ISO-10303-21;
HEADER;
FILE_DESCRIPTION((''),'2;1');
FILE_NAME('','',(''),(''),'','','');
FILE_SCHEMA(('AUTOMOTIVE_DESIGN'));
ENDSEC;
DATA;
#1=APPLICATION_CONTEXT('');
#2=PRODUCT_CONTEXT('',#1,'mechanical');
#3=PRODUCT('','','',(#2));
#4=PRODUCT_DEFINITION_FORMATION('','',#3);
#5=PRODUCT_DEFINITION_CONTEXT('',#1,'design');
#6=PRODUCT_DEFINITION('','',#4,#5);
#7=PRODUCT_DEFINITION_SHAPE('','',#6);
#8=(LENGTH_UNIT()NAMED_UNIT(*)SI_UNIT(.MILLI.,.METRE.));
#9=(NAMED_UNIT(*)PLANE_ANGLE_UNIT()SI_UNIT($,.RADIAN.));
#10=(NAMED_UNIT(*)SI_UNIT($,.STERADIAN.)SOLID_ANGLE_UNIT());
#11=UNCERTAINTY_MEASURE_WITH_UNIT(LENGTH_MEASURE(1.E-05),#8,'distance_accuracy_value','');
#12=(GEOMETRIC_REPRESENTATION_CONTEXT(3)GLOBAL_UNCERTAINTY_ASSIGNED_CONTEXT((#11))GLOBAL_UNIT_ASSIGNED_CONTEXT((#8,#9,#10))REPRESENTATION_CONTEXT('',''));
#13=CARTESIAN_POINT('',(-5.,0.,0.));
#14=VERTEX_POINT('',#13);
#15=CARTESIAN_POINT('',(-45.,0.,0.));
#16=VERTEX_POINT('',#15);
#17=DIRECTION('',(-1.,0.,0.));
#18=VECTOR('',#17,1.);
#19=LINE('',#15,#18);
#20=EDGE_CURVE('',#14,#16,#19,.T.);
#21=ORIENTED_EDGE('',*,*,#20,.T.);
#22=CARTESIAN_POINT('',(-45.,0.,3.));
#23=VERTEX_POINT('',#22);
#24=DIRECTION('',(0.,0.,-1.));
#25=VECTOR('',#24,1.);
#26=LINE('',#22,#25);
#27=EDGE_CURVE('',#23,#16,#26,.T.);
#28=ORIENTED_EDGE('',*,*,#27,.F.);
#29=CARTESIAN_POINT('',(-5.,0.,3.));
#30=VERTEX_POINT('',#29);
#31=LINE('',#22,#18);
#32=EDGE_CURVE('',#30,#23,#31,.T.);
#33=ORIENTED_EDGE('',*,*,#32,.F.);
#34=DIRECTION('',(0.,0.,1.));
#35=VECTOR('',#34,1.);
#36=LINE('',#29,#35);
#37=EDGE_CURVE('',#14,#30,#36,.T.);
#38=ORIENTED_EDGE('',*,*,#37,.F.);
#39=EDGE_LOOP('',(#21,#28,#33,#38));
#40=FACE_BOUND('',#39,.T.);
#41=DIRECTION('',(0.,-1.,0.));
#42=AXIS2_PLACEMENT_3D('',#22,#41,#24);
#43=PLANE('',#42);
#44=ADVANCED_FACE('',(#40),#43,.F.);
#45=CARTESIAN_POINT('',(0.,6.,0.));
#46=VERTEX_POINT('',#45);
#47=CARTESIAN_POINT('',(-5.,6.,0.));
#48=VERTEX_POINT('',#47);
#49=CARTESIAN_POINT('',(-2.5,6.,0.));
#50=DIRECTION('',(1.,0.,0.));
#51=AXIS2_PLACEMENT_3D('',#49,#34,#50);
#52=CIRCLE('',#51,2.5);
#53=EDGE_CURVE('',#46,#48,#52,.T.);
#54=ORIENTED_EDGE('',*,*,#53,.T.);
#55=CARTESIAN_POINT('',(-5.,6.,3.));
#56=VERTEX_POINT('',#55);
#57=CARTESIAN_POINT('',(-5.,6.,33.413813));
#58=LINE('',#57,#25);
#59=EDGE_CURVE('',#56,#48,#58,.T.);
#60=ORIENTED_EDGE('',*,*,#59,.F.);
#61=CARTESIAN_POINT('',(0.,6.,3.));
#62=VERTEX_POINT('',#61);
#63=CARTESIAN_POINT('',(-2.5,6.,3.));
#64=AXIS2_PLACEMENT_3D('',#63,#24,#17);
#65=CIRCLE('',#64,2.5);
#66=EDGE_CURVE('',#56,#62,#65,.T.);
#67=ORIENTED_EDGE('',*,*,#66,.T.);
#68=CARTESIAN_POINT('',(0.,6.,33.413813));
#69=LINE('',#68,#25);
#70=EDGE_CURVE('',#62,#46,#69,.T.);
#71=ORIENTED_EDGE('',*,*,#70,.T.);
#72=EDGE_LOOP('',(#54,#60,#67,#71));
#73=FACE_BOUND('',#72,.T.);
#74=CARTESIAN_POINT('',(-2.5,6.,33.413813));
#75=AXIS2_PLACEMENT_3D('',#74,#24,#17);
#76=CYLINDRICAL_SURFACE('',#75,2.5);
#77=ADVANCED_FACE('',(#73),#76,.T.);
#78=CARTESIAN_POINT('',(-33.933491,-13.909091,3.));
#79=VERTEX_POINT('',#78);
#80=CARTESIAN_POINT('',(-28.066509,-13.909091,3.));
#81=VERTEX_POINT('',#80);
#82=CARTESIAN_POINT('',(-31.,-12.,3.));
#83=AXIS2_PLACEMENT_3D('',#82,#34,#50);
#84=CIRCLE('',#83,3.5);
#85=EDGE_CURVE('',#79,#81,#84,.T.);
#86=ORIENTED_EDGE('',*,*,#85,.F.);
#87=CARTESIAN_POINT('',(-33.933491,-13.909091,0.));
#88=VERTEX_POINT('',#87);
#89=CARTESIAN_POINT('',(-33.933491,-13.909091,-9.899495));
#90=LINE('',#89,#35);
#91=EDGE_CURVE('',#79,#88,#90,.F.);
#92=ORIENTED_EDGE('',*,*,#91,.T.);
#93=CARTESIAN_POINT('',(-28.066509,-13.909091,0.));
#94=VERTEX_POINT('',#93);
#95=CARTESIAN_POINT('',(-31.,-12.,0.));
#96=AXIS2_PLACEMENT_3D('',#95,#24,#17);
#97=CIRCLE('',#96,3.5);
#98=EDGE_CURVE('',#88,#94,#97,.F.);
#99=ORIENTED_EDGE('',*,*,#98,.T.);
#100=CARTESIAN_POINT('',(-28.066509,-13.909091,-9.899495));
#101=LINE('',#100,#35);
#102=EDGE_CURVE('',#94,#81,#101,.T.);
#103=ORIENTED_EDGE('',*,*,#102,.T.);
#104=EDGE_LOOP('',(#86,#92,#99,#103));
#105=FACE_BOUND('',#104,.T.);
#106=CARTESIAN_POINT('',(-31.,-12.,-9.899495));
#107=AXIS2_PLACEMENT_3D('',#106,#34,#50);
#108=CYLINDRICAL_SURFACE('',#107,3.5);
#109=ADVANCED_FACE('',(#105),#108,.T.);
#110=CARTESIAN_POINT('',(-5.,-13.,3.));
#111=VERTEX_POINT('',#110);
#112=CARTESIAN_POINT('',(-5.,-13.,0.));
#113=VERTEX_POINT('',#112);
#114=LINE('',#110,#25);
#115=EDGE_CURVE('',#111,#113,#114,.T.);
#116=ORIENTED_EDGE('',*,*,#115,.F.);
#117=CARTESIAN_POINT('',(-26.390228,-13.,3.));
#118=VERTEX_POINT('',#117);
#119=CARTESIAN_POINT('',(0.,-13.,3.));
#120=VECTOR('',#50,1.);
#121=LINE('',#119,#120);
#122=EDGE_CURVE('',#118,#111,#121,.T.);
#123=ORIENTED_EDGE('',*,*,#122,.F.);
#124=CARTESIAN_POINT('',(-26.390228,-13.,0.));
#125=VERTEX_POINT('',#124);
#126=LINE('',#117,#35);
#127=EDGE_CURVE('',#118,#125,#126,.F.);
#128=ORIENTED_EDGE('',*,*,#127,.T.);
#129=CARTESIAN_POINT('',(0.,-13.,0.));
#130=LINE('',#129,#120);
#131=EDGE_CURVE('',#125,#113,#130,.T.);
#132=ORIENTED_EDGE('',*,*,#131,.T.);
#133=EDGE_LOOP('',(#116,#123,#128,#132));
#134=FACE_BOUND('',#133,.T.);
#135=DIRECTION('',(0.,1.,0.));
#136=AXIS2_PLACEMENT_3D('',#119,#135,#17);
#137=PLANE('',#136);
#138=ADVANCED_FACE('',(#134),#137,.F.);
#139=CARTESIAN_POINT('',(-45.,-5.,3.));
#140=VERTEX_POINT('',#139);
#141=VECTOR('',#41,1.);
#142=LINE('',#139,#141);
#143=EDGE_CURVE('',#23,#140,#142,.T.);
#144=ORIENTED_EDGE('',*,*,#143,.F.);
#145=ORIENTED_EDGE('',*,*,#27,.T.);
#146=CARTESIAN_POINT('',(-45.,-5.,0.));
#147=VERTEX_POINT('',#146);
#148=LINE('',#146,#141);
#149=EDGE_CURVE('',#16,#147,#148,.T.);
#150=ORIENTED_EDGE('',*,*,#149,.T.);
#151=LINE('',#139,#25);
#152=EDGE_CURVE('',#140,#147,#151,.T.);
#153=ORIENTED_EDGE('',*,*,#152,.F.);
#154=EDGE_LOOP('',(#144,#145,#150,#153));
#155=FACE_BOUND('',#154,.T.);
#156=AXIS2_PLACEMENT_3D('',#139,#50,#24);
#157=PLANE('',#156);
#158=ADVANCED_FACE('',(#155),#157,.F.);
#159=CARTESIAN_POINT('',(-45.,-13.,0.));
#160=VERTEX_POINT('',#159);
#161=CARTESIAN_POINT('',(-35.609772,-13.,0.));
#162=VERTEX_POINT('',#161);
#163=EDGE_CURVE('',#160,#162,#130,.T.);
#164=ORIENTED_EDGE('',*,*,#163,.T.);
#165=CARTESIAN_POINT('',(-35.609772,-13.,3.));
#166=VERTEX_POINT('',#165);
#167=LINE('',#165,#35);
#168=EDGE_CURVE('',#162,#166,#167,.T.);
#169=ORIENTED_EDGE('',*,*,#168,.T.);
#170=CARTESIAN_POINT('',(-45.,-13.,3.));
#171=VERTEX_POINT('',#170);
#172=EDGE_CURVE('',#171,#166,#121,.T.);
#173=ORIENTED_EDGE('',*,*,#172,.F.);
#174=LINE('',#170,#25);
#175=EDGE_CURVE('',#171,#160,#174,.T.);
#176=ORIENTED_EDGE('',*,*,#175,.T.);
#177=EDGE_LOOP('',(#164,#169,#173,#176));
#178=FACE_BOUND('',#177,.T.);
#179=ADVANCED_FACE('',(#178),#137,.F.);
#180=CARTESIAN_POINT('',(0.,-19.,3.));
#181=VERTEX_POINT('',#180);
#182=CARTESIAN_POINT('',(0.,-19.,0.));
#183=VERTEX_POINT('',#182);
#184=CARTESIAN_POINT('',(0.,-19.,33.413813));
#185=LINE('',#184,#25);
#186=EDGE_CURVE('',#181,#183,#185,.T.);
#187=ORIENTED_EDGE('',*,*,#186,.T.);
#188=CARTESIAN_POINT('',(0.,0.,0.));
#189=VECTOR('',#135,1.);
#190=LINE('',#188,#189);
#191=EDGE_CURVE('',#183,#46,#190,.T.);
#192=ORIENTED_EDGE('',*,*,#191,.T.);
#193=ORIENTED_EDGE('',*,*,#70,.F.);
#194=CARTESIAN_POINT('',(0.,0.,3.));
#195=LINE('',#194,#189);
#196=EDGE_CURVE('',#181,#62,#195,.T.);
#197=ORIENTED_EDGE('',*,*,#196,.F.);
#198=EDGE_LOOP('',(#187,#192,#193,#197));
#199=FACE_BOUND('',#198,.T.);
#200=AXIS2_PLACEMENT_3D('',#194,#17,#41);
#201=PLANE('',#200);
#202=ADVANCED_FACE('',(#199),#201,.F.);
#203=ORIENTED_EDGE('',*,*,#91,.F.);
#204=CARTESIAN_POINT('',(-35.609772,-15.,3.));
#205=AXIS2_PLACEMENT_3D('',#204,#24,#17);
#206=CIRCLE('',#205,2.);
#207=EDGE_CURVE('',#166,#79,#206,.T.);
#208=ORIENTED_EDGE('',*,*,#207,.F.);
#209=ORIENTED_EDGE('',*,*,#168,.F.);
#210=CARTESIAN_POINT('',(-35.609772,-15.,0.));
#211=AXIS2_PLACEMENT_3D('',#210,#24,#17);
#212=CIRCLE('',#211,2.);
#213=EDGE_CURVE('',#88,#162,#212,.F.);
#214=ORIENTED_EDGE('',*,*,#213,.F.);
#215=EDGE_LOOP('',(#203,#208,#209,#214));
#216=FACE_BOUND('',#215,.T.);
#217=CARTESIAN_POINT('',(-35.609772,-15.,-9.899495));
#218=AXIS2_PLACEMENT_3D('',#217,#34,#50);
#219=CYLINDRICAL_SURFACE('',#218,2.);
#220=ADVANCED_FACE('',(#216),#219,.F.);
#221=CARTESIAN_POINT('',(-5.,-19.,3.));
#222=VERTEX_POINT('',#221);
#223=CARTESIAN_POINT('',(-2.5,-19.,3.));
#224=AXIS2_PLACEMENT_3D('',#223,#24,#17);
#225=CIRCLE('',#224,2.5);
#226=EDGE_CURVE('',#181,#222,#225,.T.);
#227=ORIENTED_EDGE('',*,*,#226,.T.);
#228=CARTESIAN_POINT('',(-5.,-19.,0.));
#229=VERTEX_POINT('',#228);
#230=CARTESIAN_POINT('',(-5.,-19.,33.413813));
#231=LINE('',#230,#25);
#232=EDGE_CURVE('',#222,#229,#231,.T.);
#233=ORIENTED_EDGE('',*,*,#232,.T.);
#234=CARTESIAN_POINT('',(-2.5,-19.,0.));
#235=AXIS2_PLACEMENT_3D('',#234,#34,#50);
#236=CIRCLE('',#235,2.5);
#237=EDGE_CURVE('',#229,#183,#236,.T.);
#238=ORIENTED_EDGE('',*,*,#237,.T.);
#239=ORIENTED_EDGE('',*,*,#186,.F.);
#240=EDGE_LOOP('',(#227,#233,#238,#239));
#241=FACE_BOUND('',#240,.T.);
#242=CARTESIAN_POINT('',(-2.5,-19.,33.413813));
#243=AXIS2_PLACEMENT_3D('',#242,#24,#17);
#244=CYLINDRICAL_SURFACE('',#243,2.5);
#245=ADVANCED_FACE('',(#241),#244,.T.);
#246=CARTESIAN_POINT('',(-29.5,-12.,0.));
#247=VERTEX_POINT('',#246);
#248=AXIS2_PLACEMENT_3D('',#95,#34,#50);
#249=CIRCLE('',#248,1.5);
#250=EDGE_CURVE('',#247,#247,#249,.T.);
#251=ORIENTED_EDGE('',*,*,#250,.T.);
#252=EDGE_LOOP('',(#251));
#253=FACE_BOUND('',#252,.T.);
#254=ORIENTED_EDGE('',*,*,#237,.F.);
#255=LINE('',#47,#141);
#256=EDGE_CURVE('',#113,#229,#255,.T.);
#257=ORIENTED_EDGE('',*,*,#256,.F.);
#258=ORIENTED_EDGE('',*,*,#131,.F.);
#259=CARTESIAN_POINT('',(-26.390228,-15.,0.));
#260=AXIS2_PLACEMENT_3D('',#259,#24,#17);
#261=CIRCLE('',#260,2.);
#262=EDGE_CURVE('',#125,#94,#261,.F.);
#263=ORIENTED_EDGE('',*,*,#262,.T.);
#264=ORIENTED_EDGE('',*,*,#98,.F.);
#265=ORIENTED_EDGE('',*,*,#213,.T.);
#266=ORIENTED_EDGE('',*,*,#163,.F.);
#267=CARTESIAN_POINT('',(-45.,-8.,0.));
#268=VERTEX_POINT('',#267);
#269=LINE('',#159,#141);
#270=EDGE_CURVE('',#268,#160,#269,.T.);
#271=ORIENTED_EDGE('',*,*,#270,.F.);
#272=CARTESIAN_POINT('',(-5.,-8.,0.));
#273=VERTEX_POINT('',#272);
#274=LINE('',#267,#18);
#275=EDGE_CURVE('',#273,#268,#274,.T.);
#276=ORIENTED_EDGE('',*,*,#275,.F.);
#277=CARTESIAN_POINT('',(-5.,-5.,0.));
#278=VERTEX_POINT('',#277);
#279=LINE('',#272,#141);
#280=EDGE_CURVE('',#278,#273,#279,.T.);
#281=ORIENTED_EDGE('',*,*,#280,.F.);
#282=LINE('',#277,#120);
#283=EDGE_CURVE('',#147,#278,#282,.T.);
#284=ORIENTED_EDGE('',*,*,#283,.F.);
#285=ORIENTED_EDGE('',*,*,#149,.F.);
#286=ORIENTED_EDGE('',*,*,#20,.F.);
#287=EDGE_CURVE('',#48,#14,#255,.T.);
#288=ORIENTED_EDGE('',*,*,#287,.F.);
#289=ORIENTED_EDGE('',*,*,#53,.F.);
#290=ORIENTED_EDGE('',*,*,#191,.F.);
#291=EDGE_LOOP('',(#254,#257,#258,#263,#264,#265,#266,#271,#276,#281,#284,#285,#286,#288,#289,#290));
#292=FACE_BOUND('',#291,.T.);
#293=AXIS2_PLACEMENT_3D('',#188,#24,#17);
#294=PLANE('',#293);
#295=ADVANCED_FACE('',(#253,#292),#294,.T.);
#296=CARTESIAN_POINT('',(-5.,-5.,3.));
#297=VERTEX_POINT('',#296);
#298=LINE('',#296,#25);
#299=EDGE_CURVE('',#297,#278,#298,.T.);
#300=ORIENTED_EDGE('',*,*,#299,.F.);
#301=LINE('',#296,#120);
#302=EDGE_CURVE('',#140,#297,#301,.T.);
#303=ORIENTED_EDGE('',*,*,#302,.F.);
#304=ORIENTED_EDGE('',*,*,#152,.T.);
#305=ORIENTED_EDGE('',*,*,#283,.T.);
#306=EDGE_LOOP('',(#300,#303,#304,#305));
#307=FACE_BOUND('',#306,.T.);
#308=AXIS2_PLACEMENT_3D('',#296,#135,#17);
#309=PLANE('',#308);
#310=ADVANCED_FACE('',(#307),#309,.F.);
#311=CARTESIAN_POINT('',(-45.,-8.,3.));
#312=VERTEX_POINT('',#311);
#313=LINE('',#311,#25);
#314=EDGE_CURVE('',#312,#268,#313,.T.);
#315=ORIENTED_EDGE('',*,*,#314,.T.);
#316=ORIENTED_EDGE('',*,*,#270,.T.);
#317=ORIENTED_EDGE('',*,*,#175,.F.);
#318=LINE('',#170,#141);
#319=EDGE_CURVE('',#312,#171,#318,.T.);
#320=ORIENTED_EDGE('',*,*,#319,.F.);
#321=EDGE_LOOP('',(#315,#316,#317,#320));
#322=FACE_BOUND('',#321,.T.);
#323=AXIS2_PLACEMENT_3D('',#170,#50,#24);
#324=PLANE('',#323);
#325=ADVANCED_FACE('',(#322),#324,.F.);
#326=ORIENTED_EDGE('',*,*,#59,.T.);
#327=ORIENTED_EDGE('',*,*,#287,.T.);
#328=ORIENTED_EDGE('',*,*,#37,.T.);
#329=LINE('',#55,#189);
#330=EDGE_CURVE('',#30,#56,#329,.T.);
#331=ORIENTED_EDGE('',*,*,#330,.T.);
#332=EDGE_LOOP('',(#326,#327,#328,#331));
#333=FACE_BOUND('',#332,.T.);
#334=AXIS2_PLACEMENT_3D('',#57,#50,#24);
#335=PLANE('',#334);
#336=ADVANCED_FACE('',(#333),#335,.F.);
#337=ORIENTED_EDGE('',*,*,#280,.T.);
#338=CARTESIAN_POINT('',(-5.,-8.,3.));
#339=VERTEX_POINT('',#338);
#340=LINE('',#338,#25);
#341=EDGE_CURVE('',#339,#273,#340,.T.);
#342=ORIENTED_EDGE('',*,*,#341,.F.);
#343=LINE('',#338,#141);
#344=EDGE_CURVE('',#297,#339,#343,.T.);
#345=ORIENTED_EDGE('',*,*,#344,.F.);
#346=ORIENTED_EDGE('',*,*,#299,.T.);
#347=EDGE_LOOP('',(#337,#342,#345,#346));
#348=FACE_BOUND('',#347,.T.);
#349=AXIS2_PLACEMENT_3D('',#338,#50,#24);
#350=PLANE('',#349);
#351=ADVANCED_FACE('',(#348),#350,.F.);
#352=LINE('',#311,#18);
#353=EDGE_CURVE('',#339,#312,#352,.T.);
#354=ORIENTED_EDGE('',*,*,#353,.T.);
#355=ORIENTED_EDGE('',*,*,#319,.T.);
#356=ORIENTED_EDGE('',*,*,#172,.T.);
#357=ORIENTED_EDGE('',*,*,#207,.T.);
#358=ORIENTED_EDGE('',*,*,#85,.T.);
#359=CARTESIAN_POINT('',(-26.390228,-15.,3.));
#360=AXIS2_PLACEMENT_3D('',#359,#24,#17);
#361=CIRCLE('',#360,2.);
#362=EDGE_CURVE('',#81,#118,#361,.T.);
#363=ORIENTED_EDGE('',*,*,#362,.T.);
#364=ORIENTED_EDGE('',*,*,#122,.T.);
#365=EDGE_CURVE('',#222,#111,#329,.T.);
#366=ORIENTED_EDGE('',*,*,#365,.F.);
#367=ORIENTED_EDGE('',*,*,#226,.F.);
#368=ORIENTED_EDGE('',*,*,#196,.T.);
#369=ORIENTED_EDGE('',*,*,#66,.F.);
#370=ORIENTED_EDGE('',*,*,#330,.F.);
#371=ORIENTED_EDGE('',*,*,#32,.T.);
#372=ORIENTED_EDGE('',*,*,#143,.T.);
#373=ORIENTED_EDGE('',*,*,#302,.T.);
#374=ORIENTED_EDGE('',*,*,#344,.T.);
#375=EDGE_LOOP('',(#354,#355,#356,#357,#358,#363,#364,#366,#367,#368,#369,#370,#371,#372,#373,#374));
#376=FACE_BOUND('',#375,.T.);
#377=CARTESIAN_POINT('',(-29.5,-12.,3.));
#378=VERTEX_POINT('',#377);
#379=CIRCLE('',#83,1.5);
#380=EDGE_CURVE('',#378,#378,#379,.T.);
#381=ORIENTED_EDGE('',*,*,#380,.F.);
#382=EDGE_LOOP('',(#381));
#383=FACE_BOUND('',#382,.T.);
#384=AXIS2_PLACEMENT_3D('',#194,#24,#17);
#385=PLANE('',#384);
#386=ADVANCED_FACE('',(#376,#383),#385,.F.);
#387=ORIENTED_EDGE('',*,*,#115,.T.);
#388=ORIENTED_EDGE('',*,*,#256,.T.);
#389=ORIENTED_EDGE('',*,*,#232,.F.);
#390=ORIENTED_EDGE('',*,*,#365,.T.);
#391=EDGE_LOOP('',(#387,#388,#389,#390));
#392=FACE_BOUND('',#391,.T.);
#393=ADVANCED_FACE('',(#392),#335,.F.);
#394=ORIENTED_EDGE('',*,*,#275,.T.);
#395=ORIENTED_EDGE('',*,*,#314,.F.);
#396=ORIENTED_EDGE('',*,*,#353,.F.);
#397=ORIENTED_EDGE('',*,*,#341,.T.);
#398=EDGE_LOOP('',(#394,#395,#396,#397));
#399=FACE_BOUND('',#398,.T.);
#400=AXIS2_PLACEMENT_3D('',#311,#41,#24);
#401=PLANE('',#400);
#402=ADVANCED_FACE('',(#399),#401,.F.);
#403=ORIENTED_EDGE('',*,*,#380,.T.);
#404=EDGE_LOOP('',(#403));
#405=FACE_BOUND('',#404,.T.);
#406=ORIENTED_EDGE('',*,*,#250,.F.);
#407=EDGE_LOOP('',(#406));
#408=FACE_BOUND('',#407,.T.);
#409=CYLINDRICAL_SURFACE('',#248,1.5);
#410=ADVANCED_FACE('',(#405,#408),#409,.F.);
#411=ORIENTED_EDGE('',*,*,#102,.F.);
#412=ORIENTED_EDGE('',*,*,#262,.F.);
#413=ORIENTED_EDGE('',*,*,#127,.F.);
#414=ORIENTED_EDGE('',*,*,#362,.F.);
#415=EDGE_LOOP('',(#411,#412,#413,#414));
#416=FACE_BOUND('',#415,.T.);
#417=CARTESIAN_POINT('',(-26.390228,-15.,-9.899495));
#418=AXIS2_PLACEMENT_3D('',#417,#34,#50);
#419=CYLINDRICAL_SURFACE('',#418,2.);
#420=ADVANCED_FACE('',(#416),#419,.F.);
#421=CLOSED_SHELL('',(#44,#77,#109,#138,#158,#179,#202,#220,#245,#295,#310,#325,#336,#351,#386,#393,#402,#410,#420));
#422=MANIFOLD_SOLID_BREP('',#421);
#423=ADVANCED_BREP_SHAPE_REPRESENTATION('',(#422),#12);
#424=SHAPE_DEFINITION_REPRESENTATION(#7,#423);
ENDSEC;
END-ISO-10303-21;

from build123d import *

# Parameters (mm, degrees)
EXTRUDE_1_DEPTH     = 3
SKETCH_2_R          = 3.5
EXTRUDE_2_DEPTH     = 3
SKETCH_3_R          = 1.5
CUT_EXTRUDE_1_DEPTH = 48.689097286
EXTRUDE_3_DEPTH     = 3
FILLET_1_R          = 2


with BuildPart() as part:
    # 草图1 → 凸台-拉伸1 (new body)
    with BuildSketch(Plane.XY):
        Polygon((-45, 0), (0, 0), (0, -13), (-45, -13), (-45, -8), (-5, -8), (-5, -5), (-45, -5), align=None)
    extrude(amount=EXTRUDE_1_DEPTH)

    # 草图2 → 凸台-拉伸2 (add)
    with BuildSketch(Plane.XY.offset(3)):
        with Locations((-31, -12)):
            Circle(SKETCH_2_R)
    extrude(amount=-EXTRUDE_2_DEPTH)

    # 草图3 → 切除-拉伸1 (cut, through all)
    with BuildSketch(Plane.XY.offset(3)):
        with Locations((-31, -12)):
            Circle(SKETCH_3_R)
    extrude(amount=-CUT_EXTRUDE_1_DEPTH, mode=Mode.SUBTRACT)

    # 草图4 → 凸台-拉伸3 (add)
    with BuildSketch(Plane.XY):
        with BuildLine():
            Line((0, 6), (0, -19))
            ThreePointArc((0, -19), (-2.5, -21.5), (-5, -19))
            Line((-5, -19), (-5, 6))
            ThreePointArc((-5, 6), (-2.5, 8.5), (0, 6))
        make_face()
    extrude(amount=EXTRUDE_3_DEPTH)

    # 圆角1
    fillet_1_edges = [part.edges().sort_by_distance(p)[0] for p in [
        (-34.354101966, -13, 1.5),
        (-27.645898034, -13, 1.5),
    ]]
    fillet(fillet_1_edges, radius=FILLET_1_R)


solid = part.part
